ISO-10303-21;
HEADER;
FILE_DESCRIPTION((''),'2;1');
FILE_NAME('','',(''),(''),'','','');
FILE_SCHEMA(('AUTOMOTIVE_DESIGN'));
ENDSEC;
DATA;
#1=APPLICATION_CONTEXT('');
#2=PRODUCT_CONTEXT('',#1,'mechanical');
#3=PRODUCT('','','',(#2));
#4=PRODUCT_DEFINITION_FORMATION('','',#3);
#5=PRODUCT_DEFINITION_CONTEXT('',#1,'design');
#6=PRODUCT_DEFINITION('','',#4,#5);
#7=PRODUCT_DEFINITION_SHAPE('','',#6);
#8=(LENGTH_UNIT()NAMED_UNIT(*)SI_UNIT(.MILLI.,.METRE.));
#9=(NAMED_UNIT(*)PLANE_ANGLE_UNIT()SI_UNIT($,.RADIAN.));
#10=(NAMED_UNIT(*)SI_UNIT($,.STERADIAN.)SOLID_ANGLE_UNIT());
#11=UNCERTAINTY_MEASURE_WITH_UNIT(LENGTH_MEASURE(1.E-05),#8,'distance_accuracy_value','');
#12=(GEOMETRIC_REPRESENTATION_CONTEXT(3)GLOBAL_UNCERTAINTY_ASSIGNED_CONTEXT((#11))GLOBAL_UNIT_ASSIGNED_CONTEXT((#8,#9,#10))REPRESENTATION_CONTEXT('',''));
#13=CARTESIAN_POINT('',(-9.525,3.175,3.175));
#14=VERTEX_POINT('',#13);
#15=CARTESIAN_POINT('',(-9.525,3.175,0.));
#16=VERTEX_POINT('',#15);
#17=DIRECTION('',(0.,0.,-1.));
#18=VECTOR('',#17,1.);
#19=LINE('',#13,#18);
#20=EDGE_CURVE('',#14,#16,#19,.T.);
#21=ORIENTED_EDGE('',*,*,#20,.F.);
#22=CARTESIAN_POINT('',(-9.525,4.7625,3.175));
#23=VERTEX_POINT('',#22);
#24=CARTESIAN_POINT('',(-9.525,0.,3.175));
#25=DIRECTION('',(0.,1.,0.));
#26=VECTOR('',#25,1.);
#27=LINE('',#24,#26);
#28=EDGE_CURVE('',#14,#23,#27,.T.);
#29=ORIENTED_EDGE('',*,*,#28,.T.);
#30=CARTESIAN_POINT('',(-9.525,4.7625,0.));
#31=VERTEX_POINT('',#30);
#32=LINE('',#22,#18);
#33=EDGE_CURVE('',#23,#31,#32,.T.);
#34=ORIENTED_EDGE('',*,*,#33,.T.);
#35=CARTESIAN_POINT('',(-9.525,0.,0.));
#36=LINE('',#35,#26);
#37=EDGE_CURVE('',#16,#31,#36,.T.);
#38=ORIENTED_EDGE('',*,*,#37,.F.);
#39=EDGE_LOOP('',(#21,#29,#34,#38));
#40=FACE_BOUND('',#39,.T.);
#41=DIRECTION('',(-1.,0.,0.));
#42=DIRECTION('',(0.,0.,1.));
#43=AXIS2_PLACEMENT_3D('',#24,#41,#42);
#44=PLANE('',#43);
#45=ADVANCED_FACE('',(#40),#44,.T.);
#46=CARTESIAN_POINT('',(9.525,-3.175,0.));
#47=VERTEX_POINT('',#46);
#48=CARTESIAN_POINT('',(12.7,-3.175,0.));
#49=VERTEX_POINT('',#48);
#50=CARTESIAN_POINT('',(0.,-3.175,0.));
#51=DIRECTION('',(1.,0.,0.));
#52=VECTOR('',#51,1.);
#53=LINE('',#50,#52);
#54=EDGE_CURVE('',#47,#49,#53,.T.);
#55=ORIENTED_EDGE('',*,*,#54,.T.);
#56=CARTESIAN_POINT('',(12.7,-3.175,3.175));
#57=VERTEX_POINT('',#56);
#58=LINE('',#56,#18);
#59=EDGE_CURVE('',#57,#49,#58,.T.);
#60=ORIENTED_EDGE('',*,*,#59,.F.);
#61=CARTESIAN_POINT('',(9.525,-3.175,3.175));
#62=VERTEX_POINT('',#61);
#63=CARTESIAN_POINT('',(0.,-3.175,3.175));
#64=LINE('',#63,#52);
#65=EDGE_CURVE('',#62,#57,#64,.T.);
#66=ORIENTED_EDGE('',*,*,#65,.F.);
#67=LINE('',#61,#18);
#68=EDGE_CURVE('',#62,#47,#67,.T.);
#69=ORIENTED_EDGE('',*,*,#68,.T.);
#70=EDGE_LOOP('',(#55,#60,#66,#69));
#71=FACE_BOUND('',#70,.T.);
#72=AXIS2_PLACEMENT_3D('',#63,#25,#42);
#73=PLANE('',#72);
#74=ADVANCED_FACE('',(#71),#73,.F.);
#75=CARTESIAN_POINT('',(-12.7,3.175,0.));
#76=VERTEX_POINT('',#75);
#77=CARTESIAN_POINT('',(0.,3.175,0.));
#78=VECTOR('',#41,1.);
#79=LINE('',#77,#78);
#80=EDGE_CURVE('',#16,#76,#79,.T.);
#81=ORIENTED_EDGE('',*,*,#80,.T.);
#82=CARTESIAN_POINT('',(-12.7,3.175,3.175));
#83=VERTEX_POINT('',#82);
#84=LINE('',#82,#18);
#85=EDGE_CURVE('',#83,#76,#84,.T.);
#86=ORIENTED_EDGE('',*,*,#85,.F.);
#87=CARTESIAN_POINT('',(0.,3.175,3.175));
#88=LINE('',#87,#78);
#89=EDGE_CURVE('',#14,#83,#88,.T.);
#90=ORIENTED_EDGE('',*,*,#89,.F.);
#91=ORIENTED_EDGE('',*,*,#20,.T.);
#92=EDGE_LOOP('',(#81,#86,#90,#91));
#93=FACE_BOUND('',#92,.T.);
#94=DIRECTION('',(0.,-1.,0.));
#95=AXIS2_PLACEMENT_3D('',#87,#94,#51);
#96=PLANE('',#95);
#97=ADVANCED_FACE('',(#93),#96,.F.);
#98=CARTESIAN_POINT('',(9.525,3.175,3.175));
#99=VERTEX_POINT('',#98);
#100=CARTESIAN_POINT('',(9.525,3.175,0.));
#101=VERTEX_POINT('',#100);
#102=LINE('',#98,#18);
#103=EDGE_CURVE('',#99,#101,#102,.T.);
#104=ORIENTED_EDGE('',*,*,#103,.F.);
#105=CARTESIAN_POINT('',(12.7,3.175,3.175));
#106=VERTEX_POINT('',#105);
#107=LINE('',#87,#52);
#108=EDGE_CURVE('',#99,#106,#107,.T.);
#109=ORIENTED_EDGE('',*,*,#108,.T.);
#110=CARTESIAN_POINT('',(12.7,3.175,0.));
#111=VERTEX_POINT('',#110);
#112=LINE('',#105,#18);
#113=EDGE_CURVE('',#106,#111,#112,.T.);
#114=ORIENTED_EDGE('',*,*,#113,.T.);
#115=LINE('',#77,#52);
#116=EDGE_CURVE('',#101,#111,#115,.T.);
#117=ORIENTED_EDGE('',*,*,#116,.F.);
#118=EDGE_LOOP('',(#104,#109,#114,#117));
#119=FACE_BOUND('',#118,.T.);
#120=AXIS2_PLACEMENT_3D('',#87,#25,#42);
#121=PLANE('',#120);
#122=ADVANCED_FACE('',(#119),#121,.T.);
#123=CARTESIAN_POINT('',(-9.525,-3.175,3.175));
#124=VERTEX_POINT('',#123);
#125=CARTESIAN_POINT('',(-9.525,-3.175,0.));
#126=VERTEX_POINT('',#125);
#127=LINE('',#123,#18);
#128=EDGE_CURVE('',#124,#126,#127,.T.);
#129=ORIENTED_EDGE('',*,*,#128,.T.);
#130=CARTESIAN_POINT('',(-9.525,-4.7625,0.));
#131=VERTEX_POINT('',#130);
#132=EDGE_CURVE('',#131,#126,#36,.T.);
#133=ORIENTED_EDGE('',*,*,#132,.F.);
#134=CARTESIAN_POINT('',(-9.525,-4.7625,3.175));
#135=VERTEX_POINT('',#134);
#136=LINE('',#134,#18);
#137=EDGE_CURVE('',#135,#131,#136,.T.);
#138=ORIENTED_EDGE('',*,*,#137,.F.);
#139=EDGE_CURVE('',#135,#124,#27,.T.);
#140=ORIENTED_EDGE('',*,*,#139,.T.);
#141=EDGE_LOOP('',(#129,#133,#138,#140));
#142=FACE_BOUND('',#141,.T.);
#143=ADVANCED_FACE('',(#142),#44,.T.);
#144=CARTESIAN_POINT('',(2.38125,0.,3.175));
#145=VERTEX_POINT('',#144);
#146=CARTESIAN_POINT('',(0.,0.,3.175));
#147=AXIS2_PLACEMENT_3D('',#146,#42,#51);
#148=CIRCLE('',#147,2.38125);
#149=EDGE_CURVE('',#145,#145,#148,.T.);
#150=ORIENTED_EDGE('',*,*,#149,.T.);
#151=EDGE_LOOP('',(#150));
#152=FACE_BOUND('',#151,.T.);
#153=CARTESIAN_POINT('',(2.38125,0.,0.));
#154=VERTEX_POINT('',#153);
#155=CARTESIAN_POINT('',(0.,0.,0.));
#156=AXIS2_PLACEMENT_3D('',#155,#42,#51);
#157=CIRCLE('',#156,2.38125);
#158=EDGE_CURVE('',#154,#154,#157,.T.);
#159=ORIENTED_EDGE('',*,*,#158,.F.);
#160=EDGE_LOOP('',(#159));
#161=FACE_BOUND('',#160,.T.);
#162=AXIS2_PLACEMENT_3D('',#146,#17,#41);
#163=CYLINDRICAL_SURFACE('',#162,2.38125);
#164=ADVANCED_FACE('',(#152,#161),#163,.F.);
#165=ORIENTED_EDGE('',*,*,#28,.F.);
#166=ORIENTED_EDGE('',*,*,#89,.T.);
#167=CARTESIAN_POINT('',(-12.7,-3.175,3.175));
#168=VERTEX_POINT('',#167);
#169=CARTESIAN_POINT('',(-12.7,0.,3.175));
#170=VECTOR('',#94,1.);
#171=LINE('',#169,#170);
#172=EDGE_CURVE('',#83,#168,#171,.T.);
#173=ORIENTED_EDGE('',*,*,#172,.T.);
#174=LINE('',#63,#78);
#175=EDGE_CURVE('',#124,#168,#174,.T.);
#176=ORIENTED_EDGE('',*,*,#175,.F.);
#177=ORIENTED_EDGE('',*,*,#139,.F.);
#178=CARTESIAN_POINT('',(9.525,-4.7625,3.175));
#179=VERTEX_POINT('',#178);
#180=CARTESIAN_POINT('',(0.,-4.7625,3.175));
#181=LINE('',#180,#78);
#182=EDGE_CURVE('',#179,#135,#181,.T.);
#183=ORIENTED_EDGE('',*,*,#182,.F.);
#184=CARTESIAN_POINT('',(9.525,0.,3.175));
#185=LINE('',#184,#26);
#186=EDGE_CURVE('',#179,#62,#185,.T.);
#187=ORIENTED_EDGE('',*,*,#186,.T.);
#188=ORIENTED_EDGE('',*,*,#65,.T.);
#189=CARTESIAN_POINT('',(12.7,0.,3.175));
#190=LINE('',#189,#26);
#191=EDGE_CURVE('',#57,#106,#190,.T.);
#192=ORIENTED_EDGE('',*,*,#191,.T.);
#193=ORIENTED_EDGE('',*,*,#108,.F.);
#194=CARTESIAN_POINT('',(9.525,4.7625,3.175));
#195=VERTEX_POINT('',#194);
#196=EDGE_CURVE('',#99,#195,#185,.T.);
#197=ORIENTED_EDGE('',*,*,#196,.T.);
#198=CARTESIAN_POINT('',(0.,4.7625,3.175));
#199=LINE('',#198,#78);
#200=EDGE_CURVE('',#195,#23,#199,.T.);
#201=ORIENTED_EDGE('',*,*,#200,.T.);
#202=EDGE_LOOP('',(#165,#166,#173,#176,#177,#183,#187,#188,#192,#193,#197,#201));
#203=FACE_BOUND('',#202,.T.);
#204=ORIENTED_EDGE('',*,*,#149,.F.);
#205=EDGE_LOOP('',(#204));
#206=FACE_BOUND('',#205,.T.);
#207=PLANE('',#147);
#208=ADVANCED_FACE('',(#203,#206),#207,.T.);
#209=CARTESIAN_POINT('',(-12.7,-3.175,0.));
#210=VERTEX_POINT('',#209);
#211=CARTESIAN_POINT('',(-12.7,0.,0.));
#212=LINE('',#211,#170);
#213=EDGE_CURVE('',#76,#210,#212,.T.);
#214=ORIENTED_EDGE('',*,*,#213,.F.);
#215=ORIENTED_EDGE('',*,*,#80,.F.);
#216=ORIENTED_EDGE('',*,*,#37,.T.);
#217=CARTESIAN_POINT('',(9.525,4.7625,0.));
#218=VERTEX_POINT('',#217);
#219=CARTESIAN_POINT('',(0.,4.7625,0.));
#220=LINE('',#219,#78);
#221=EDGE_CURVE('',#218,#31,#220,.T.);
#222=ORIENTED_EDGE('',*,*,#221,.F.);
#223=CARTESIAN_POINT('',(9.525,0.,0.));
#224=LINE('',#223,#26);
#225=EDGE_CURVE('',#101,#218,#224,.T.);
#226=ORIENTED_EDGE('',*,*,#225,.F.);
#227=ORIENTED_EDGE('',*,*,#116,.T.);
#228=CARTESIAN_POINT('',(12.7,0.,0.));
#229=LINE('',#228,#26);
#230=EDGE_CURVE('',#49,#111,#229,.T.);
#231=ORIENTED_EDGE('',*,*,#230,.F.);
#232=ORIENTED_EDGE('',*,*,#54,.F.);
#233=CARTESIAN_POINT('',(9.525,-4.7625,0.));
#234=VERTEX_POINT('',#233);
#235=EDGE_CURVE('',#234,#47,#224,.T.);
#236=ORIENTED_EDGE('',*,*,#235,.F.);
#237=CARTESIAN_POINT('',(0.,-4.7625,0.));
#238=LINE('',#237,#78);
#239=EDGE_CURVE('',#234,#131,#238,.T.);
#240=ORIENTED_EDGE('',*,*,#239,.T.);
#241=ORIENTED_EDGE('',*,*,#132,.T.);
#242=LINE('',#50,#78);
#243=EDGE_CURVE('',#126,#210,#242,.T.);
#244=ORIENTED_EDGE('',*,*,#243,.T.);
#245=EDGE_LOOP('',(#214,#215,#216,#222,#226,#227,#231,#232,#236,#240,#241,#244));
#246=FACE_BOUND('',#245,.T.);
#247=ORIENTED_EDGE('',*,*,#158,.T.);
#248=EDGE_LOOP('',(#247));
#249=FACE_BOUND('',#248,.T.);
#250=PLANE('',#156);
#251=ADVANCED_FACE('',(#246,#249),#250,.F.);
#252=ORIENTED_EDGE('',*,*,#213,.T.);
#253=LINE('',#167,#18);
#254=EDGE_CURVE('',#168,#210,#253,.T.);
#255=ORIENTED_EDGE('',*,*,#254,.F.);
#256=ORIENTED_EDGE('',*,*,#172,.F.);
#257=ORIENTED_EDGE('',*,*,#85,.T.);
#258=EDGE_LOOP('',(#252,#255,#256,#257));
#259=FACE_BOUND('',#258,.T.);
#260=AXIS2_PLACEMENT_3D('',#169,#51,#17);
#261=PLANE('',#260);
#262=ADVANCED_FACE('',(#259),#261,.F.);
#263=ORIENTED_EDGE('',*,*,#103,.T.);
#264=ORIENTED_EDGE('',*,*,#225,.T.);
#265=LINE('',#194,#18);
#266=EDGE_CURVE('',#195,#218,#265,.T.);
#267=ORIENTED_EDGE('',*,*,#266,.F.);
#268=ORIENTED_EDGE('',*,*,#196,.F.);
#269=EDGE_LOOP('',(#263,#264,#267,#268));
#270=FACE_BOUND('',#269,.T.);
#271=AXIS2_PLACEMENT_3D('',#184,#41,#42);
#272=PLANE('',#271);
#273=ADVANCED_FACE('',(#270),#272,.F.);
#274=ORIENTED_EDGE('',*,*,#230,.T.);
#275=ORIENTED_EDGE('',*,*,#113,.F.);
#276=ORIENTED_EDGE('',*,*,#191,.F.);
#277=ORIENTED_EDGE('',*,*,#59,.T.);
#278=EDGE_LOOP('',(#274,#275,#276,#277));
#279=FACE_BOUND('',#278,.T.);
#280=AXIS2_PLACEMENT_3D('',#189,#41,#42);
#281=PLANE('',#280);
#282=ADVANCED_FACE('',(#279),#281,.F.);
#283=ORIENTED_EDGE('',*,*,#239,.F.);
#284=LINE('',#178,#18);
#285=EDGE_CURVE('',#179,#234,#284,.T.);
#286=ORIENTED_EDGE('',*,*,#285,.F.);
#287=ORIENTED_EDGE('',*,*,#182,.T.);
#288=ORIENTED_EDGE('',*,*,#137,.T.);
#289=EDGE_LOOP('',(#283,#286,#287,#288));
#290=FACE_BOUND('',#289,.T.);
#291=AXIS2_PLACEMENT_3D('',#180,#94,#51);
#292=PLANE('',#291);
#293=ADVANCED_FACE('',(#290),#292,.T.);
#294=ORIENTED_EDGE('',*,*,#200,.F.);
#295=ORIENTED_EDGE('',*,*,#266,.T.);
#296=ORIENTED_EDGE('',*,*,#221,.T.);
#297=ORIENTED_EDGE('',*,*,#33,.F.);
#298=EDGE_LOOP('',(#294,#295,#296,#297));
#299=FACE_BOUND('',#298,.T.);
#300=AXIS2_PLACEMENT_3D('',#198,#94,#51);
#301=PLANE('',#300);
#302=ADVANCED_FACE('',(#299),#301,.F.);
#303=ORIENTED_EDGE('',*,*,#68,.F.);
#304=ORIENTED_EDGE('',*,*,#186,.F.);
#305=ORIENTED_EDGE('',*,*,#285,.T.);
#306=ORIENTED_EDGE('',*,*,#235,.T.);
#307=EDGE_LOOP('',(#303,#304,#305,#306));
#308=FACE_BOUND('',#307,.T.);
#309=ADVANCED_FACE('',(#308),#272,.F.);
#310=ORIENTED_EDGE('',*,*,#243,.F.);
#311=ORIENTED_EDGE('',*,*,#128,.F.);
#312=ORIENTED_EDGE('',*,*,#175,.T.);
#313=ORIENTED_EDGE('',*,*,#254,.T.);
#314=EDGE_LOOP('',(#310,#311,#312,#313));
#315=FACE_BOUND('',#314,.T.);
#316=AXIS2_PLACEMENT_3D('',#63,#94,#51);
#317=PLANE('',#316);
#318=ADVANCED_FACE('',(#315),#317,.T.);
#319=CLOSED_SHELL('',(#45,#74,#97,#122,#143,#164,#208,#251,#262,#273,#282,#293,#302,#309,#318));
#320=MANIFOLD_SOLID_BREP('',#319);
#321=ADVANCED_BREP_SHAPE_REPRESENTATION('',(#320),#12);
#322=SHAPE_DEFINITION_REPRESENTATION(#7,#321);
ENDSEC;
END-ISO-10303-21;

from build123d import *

# Parameters (mm, degrees)
SKETCH1_W           = 3.175
SKETCH1_H           = 6.35
SKETCH1_W_2         = 19.05
SKETCH1_H_2         = 9.525
SKETCH1_R           = 2.38125
BOSS_EXTRUDE1_DEPTH = 3.175


with BuildPart() as part:
    # Sketch1 → Boss-Extrude1 (new body)
    # profile 1 of 3: a face of its own
    with BuildSketch(Plane.XY):
        with Locations((-11.1125, 0)):
            Rectangle(SKETCH1_W, SKETCH1_H)
    # profile 2 of 3: a face of its own
    with BuildSketch(Plane.XY):
        Rectangle(SKETCH1_W_2, SKETCH1_H_2)
        Circle(SKETCH1_R, mode=Mode.SUBTRACT)
    # profile 3 of 3: a face of its own
    with BuildSketch(Plane.XY):
        with Locations((11.1125, 0)):
            Rectangle(SKETCH1_W, SKETCH1_H)
    extrude(amount=BOSS_EXTRUDE1_DEPTH)


solid = part.part
